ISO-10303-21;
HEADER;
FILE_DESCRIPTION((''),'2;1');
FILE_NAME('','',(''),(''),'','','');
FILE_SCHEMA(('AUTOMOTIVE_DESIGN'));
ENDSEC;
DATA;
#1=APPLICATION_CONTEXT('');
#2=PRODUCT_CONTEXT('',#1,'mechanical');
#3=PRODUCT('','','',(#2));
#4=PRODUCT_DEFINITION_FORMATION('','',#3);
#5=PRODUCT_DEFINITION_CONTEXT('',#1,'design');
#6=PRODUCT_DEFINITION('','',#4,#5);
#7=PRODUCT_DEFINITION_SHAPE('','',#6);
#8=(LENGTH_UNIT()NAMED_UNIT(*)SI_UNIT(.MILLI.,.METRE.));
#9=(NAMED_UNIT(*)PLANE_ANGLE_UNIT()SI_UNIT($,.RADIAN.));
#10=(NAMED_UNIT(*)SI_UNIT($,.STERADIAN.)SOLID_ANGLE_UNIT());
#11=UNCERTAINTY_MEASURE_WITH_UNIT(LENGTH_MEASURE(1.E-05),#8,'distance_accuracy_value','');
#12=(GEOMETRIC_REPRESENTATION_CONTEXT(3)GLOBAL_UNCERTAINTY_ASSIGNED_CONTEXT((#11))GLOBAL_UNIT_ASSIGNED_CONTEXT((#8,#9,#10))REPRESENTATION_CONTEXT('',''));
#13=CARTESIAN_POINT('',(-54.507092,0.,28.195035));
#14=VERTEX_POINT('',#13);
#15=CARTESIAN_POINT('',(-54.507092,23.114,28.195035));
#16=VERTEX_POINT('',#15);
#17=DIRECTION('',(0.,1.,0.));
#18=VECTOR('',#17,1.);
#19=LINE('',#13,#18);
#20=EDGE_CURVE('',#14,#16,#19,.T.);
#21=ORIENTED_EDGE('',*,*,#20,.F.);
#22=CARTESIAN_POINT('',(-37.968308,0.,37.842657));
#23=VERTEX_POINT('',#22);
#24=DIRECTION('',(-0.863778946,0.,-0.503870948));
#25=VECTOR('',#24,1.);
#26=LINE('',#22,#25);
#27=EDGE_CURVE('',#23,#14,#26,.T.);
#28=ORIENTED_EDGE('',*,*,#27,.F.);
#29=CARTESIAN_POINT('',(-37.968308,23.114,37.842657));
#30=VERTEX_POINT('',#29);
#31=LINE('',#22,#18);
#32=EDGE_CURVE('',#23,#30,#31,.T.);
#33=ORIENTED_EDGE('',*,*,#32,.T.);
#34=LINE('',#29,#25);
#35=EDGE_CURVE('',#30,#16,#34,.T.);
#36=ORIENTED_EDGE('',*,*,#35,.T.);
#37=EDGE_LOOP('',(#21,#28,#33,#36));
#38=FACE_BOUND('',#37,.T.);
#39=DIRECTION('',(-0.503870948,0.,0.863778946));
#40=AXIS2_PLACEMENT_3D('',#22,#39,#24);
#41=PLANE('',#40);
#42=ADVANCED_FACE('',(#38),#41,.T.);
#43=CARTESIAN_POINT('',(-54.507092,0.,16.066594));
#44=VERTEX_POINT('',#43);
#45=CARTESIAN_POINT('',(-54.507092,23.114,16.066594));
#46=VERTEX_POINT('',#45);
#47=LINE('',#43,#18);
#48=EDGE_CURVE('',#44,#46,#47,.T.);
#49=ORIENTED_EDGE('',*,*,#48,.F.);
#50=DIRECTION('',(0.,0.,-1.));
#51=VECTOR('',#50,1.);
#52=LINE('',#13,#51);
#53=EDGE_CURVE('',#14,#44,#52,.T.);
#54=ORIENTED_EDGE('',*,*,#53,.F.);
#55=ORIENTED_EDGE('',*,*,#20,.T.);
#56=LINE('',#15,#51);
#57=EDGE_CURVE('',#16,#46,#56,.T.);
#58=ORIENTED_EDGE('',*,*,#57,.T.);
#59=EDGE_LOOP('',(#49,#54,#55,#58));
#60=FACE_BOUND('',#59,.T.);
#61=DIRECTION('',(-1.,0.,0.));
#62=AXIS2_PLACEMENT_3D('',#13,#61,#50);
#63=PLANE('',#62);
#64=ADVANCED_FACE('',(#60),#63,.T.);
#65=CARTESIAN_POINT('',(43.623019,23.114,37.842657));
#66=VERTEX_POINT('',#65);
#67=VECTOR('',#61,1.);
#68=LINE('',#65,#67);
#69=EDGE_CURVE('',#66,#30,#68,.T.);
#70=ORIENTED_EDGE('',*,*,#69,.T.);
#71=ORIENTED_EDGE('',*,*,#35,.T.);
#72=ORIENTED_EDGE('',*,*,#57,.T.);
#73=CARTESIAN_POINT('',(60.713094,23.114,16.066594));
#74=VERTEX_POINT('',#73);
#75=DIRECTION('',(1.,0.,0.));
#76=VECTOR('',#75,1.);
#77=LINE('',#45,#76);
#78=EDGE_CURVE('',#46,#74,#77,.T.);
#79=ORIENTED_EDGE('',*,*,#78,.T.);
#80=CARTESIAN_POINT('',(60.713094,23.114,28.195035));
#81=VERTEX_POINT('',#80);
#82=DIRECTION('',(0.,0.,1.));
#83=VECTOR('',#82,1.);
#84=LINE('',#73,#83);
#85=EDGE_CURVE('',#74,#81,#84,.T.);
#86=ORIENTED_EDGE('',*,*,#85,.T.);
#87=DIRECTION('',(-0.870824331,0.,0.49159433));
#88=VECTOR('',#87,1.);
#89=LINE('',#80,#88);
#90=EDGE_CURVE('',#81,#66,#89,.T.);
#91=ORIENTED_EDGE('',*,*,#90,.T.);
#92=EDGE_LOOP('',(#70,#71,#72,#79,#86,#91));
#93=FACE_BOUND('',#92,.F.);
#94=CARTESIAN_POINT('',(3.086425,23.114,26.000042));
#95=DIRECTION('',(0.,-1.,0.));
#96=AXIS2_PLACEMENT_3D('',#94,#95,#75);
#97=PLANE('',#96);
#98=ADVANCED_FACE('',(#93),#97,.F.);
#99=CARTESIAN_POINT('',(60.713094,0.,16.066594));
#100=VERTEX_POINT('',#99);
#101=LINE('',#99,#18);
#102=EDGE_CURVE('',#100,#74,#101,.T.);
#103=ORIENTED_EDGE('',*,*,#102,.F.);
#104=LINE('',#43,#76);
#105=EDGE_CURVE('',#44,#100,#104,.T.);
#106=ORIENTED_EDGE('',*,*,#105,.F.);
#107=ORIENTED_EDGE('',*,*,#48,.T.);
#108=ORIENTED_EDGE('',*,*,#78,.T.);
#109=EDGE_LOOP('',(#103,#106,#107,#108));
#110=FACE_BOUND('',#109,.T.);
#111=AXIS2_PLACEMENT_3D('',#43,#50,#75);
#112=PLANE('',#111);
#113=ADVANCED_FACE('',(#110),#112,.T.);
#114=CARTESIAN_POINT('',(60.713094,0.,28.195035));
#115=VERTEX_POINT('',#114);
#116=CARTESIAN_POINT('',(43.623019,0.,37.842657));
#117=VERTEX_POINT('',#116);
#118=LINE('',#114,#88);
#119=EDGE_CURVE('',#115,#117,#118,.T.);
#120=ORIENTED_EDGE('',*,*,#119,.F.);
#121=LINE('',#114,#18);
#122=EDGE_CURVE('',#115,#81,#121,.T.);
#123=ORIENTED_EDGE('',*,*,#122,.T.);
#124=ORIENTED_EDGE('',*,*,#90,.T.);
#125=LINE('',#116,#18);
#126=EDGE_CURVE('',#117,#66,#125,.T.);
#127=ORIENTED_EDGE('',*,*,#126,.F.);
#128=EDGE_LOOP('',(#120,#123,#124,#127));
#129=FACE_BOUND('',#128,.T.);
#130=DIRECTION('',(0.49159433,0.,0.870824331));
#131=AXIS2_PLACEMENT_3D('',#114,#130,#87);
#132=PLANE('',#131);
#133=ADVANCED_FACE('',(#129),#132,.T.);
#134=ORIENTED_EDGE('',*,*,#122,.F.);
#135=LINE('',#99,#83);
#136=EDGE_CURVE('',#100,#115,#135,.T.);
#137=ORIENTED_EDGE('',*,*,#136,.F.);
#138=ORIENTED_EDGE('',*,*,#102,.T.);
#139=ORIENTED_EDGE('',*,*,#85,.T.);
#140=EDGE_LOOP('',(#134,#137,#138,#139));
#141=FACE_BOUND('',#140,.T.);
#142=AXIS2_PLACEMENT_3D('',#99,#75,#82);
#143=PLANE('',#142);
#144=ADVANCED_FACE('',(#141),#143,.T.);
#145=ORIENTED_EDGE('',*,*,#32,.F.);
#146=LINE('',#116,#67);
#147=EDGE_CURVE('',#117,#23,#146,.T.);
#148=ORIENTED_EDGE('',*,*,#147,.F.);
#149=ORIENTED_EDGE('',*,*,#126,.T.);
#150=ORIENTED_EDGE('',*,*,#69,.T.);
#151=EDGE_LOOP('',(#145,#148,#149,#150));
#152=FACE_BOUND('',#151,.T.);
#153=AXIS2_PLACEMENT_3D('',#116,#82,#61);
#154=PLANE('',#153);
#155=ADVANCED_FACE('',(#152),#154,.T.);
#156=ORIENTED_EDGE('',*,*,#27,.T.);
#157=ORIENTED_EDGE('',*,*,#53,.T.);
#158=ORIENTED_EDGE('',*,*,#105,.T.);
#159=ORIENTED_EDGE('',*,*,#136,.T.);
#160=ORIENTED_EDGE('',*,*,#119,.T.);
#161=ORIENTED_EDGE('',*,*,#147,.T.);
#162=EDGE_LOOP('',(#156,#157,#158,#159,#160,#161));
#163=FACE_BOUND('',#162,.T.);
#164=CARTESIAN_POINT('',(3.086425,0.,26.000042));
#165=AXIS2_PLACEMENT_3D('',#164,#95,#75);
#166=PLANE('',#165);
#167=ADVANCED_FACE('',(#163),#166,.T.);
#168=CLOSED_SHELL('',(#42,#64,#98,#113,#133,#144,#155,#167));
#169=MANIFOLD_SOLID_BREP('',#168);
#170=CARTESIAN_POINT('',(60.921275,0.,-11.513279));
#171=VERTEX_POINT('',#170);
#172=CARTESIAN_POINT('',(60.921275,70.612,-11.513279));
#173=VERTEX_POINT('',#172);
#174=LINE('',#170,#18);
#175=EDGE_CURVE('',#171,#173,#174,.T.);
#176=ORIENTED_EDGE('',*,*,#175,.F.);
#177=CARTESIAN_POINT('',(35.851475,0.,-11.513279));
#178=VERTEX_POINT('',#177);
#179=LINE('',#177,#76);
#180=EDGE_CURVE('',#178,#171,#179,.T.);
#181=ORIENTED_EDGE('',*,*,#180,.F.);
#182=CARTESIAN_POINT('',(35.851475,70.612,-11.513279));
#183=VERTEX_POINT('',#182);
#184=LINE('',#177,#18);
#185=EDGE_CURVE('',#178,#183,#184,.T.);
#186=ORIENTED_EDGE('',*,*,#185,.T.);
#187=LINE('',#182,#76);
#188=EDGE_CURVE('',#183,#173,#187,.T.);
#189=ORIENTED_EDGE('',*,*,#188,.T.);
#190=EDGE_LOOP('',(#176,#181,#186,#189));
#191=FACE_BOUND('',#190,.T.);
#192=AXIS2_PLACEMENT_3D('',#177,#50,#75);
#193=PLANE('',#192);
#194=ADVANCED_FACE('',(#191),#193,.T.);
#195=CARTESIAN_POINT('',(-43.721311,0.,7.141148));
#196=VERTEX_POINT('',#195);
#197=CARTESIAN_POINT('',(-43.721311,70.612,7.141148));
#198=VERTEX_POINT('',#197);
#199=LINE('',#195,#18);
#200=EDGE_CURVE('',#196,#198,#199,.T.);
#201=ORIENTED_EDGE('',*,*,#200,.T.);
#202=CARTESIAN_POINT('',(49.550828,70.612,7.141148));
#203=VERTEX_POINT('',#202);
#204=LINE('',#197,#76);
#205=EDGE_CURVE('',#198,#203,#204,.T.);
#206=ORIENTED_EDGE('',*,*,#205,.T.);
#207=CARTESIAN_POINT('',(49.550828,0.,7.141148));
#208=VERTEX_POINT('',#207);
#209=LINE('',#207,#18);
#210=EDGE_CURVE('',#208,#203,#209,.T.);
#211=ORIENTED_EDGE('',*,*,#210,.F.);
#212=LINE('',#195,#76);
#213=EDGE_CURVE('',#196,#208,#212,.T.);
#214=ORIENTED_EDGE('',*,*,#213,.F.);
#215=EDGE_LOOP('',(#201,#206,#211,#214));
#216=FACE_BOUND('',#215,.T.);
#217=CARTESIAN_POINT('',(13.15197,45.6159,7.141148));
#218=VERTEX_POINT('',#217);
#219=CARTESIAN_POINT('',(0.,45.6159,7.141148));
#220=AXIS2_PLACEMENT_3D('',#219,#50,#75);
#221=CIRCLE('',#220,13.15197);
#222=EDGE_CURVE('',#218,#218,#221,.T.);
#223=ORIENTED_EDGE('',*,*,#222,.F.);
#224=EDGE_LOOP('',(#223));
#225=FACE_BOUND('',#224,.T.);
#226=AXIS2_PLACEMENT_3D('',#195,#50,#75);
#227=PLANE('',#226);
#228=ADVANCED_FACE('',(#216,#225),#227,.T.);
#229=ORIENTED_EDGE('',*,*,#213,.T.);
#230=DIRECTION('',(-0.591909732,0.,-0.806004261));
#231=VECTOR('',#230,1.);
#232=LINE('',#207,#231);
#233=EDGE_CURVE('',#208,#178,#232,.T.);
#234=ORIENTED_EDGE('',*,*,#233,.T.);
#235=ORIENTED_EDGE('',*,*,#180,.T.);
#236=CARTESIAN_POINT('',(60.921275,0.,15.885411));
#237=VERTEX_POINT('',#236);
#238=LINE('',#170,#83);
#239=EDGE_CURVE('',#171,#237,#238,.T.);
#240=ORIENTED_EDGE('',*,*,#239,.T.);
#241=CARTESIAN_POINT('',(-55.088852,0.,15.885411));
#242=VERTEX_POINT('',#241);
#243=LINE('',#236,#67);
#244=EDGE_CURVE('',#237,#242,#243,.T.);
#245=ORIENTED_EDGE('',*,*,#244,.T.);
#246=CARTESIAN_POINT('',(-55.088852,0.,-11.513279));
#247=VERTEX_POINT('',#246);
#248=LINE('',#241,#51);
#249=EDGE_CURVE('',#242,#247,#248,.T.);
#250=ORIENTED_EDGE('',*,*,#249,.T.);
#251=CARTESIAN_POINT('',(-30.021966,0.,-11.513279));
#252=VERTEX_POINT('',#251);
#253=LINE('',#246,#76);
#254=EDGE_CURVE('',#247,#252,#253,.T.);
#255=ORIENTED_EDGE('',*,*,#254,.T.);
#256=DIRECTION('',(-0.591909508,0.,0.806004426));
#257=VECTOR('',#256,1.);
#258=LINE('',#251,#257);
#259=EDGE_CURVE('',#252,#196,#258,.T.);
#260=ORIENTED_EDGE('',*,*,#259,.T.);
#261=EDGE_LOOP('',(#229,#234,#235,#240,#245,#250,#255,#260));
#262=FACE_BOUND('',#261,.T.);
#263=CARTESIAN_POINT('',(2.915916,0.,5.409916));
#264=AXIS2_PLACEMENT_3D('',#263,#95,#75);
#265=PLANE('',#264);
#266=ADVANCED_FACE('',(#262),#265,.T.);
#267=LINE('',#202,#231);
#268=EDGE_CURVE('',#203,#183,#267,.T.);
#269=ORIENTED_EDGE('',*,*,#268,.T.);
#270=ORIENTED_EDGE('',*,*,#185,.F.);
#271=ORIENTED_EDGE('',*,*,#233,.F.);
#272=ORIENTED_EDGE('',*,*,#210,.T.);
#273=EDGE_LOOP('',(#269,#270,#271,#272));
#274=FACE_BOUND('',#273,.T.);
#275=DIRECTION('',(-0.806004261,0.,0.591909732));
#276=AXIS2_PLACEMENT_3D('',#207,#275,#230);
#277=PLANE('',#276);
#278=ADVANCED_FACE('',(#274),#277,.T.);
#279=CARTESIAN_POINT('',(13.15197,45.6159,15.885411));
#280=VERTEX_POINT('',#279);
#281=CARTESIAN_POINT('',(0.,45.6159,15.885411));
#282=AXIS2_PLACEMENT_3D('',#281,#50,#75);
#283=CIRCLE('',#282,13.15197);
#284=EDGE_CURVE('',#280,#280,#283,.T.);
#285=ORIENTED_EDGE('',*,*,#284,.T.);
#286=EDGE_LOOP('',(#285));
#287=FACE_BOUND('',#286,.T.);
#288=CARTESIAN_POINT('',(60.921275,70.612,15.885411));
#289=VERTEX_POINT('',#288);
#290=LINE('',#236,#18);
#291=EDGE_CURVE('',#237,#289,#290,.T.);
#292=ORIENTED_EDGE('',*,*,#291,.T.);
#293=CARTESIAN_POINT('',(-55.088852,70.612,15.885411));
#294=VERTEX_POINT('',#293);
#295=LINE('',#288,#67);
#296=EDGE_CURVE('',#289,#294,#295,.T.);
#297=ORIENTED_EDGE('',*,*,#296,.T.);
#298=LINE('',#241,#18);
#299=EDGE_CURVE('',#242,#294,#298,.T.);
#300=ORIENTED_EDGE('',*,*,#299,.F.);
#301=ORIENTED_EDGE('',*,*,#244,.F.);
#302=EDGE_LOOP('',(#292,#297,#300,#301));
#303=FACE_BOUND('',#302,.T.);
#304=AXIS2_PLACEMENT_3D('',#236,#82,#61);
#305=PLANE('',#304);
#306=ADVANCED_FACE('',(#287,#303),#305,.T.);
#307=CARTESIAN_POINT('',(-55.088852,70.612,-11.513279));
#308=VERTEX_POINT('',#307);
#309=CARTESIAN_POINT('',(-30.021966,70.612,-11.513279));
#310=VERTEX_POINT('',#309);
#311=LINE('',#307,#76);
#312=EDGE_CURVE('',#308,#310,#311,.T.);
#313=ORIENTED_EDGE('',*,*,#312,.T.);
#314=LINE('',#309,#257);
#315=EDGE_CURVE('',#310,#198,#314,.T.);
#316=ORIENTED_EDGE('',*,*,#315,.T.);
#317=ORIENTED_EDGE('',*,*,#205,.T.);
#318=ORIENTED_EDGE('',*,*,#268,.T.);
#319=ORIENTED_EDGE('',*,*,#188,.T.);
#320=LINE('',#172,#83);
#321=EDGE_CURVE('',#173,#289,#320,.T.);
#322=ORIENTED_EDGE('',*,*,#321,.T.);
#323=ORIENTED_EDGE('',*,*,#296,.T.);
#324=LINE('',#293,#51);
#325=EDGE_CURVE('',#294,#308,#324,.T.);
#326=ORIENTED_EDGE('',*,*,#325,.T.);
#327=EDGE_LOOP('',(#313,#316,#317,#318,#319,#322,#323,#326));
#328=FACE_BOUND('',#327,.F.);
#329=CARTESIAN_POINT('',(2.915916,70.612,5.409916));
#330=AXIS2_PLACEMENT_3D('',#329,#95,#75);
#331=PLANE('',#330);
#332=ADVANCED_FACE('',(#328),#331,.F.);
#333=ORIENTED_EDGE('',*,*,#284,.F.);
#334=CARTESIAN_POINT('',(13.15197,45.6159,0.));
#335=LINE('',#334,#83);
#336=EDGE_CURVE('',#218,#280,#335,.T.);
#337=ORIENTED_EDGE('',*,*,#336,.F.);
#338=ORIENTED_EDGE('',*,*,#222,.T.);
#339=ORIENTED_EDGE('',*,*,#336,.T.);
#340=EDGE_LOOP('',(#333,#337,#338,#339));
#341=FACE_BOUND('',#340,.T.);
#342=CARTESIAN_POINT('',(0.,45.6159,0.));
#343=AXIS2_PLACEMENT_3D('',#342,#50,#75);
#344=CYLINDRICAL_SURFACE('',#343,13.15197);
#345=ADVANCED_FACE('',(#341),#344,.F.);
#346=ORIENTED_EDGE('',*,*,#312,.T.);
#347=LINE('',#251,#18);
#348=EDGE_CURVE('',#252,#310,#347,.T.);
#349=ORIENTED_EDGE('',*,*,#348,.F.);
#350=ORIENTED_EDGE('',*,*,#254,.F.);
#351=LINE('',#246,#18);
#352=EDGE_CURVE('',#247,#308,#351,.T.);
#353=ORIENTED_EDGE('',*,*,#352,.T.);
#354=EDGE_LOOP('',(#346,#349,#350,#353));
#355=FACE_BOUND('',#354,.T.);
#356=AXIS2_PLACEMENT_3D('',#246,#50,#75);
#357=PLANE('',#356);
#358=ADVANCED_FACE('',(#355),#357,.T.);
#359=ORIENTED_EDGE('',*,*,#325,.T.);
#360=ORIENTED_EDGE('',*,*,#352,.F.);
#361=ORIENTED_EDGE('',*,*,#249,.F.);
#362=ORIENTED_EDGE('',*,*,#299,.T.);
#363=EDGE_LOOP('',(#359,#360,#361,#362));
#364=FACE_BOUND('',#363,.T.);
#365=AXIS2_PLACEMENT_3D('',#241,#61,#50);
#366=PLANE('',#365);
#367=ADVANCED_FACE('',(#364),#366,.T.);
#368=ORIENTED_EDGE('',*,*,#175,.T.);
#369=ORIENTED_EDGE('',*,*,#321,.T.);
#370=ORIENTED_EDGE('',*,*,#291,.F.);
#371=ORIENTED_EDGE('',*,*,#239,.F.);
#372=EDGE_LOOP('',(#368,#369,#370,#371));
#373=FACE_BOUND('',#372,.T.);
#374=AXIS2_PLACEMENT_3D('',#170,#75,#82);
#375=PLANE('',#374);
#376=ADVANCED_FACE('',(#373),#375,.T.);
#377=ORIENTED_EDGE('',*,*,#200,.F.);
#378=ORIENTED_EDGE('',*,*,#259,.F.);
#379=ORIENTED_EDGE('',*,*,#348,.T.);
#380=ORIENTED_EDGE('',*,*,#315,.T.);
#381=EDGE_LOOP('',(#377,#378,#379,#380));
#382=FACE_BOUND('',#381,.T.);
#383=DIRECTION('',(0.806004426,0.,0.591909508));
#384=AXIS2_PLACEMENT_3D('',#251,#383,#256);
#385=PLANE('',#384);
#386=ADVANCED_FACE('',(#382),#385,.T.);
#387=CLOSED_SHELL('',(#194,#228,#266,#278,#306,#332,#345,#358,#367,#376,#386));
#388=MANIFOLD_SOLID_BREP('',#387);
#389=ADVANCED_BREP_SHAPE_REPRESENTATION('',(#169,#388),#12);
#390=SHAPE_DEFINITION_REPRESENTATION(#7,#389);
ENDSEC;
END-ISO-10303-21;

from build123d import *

# Parameters (mm, degrees)
F1_DEPTH = 70.612
F3_DEPTH = 23.114
F4_R     = 13.15197
F5_DEPTH = 25.4


with BuildPart() as f1:
    # F0 (on Front) → F1 (new body)
    with BuildSketch(Plane.XZ):
        Polygon((60.921275, 15.885411), (-55.088852, 15.885411), (-55.088852, -11.513279), (-30.021966, -11.513279), (-43.721311, 7.141148), (49.550828, 7.141148), (35.851475, -11.513279), (60.921275, -11.513279), align=None)
    extrude(amount=-F1_DEPTH)

    # F4 (on Top) → F5 (cut)
    with BuildSketch(Plane.XY):
        with Locations((0, 45.6159)):
            Circle(F4_R)
    extrude(amount=F5_DEPTH, mode=Mode.SUBTRACT)


with BuildPart() as f3:
    # F2 (on Front) → F3 (new body)
    with BuildSketch(Plane.XZ):
        Polygon((-54.507092, 16.066594), (60.713094, 16.066594), (60.713094, 28.195035), (43.623019, 37.842657), (-37.968308, 37.842657), (-54.507092, 28.195035), align=None)
    extrude(amount=-F3_DEPTH)


solid = Compound([f1.part, f3.part])
